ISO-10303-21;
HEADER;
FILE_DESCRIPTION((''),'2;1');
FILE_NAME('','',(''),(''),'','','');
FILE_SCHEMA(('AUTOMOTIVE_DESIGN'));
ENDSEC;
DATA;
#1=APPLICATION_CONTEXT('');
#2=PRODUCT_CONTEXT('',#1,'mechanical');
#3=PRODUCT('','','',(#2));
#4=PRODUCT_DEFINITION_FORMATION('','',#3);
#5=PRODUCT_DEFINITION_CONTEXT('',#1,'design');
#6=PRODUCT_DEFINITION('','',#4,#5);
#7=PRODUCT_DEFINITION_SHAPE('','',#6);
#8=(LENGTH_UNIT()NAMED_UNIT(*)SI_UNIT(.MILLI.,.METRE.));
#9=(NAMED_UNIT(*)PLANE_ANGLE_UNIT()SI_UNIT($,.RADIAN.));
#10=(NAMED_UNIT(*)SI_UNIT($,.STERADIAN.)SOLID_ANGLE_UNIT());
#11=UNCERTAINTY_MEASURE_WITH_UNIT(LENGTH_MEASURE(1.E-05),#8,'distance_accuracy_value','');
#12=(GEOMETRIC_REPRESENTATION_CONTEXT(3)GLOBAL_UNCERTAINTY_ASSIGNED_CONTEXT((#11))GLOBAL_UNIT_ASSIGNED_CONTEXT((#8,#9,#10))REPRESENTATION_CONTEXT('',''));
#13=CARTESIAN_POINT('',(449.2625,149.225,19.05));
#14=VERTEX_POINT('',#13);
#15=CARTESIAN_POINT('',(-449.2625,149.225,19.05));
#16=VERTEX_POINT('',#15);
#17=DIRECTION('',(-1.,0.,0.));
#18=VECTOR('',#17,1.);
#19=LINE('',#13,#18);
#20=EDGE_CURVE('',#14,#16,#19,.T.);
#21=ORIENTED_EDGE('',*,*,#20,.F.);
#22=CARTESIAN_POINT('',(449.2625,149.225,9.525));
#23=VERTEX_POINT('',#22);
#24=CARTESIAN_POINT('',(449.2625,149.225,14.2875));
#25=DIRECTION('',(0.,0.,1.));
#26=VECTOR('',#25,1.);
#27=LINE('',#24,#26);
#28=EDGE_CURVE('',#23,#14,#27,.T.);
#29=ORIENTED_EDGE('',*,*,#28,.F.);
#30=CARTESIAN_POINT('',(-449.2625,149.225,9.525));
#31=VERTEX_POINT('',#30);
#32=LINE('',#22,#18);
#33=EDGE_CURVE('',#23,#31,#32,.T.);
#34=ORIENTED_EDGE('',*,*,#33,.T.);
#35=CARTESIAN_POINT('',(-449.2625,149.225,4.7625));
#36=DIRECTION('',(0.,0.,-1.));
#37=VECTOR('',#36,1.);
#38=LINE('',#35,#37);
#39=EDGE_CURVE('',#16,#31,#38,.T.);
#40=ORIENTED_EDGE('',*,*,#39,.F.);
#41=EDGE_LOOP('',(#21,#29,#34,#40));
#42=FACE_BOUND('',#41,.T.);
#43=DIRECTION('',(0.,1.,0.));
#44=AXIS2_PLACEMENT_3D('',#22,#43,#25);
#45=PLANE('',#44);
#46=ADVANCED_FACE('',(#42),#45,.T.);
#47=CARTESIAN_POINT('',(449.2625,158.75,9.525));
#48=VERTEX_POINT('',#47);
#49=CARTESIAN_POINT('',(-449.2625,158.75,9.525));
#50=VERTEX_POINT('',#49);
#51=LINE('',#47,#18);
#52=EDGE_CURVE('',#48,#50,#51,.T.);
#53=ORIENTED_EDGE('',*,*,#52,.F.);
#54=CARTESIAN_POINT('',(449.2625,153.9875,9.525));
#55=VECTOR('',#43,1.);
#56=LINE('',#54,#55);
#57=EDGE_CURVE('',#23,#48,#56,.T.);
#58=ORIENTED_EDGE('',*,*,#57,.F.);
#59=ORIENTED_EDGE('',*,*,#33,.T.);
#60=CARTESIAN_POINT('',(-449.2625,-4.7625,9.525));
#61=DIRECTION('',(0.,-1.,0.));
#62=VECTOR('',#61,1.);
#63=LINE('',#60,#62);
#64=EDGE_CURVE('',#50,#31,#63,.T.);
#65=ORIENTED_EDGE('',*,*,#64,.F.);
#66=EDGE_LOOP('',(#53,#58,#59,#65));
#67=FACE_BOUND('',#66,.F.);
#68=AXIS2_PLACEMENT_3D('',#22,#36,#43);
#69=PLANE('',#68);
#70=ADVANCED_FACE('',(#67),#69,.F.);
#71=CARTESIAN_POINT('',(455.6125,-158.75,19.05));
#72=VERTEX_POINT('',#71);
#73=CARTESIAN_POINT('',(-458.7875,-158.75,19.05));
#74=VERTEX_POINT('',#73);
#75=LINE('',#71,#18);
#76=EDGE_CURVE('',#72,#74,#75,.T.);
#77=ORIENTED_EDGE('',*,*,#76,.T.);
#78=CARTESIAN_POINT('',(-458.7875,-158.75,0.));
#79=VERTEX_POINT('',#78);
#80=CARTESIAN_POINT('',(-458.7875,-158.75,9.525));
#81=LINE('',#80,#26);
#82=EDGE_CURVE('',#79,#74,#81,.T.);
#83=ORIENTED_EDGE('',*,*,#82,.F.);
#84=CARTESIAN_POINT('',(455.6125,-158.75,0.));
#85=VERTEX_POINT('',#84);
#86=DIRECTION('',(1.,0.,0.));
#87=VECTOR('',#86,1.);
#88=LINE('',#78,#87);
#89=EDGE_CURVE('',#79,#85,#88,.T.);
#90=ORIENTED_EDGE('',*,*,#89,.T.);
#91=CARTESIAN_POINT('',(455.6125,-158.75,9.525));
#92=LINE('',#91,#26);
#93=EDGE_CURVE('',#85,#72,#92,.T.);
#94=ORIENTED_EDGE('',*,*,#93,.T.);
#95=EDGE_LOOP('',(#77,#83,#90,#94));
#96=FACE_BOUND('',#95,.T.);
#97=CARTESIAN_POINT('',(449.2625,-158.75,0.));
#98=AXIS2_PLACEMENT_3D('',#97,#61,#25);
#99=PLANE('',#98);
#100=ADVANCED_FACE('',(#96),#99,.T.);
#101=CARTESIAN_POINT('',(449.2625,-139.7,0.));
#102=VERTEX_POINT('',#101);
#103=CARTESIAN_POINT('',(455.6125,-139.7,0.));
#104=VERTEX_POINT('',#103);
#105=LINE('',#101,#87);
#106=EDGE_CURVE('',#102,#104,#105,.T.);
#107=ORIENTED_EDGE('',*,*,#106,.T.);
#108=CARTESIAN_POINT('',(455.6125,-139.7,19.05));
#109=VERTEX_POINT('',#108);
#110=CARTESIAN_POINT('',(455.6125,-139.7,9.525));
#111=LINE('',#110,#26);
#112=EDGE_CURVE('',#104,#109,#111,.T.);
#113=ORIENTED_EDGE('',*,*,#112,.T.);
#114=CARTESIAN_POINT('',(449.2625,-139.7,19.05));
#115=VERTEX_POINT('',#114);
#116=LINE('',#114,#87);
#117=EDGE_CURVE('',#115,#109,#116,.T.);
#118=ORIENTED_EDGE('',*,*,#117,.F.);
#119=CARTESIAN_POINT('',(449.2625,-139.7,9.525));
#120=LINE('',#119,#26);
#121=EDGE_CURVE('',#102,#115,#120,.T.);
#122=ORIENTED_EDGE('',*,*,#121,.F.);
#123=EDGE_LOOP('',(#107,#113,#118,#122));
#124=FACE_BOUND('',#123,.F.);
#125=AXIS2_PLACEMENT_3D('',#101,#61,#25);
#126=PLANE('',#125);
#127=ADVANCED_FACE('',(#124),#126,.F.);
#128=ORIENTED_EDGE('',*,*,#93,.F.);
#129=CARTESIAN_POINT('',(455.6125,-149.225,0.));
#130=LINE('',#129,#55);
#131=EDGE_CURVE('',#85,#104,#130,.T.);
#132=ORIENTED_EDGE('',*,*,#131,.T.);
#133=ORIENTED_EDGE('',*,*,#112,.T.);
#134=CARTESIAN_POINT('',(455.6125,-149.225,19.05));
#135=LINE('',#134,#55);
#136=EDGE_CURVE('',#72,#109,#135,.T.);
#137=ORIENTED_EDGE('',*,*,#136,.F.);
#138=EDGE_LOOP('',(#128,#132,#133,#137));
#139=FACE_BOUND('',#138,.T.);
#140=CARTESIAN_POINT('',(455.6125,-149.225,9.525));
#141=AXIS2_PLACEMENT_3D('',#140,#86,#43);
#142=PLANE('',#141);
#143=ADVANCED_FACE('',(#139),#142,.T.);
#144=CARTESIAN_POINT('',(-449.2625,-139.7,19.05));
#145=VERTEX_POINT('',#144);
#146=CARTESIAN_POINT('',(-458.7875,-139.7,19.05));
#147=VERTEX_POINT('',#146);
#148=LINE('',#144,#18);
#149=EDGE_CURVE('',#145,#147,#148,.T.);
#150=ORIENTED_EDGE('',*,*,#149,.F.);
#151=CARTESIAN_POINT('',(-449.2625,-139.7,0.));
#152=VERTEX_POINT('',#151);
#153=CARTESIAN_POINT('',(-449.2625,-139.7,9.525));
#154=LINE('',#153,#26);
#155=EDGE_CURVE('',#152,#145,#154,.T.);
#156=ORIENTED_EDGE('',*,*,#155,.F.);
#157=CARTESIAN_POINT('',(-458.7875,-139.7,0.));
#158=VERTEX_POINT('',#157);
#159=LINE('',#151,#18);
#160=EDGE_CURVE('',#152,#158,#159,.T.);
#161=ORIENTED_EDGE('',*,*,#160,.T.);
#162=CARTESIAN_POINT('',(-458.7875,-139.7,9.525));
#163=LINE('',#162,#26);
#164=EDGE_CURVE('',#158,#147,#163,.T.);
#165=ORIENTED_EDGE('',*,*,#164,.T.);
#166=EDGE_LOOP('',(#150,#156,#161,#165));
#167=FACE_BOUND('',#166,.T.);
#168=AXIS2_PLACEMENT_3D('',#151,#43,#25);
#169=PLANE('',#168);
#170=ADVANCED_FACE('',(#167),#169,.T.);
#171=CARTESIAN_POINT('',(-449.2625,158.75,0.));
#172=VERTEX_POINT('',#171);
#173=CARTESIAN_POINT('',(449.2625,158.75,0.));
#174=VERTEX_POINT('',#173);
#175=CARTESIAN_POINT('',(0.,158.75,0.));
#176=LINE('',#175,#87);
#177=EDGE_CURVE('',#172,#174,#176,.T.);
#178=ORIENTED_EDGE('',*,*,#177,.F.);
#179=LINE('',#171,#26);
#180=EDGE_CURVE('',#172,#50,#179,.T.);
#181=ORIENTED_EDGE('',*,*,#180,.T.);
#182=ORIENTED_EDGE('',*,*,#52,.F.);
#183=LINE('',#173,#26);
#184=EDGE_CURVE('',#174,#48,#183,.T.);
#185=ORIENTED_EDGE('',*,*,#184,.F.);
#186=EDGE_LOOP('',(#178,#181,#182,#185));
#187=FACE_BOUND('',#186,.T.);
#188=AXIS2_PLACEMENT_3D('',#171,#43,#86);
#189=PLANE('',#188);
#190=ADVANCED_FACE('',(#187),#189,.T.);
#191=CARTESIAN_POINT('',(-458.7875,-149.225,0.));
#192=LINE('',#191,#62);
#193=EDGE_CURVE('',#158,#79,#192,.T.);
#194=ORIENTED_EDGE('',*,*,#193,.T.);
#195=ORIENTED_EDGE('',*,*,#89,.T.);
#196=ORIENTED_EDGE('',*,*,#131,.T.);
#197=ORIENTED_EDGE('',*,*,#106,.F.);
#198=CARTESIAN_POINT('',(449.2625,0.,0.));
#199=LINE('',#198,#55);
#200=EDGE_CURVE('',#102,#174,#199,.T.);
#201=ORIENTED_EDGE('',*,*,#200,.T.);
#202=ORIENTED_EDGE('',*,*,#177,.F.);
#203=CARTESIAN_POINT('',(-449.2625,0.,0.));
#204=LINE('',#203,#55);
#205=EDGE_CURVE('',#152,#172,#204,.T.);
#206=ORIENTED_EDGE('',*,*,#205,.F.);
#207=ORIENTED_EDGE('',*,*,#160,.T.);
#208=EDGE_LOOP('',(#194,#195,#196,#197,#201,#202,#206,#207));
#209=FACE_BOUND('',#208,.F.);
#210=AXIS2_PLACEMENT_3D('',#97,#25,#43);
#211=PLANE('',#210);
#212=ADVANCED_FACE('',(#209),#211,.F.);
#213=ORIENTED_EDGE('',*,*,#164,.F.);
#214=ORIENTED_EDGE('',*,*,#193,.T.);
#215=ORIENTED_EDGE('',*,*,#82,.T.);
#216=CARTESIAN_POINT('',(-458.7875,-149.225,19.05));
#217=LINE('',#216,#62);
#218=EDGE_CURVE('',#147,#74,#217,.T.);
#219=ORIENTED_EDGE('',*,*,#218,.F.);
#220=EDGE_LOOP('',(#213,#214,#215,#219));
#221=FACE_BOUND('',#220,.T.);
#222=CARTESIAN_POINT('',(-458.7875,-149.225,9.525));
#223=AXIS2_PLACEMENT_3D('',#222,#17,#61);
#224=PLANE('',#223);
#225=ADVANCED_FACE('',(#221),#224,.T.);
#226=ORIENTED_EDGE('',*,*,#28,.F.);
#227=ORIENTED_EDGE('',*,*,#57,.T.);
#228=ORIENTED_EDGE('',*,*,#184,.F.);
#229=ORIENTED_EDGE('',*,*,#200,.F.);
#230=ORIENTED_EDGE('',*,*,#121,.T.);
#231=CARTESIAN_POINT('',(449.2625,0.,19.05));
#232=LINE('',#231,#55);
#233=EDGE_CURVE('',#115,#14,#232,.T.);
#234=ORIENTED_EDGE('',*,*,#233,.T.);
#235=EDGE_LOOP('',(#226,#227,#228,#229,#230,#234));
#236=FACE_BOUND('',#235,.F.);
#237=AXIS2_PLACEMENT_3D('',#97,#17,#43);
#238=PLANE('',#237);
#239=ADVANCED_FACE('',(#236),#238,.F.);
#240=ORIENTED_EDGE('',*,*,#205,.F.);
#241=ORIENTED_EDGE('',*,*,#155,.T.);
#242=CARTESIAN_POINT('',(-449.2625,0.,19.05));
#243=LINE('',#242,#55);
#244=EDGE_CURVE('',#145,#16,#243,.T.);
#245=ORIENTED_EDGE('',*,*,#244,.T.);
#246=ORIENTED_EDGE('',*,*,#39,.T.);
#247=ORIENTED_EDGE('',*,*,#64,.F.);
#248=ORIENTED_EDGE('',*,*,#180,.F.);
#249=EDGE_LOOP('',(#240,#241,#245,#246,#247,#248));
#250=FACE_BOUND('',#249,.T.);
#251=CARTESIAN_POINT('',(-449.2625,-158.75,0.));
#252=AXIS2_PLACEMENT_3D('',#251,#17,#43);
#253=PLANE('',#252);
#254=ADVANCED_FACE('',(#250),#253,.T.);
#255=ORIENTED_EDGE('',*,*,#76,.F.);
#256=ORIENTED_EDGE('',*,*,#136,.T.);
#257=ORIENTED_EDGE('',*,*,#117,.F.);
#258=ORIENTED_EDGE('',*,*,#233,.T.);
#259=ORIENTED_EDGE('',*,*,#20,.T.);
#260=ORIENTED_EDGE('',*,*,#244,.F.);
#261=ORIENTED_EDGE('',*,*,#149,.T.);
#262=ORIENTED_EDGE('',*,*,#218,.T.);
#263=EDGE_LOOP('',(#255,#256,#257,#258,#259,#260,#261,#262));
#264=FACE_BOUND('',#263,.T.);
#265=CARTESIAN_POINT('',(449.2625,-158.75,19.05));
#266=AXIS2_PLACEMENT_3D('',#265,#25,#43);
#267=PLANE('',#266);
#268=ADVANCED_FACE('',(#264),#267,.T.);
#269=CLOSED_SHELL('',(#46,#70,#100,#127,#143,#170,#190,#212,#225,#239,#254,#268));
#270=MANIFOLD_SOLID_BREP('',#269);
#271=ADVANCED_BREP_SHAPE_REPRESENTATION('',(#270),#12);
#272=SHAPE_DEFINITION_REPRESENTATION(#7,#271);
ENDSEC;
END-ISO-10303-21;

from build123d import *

# Parameters (mm, degrees)
F0_W     = 898.525
F0_H     = 317.5
F1_DEPTH = 19.05
F2_W     = 9.525
F2_H     = 9.525
F3_DEPTH = 898.526
F4_W     = 19.05
F4_H     = 19.05
F5_DEPTH = 9.525
F6_W     = 19.05
F6_H     = 19.05
F7_DEPTH = 6.35


with BuildPart() as f1:
    # F0 (on Top) → F1 (new body)
    with BuildSketch(Plane.XY):
        Rectangle(F0_W, F0_H)
    extrude(amount=F1_DEPTH)

    # F2 (on face) → F3 (cut, through all)
    with BuildSketch(Plane.YZ.offset(449.2625)):
        with Locations((153.9875, 14.2875)):
            Rectangle(F2_W, F2_H)
    extrude(amount=-F3_DEPTH, mode=Mode.SUBTRACT)

    # F4 (on face) → F5 (join)
    with BuildSketch(Plane(origin=(-449.2625, 0, 0), x_dir=(0, -1, 0), z_dir=(-1, 0, 0))):
        with Locations((149.225, 9.525)):
            Rectangle(F4_W, F4_H)
    extrude(amount=F5_DEPTH)

    # F6 (on face) → F7 (join)
    with BuildSketch(Plane.YZ.offset(449.2625)):
        with Locations((-149.225, 9.525)):
            Rectangle(F6_W, F6_H)
    extrude(amount=F7_DEPTH)


solid = f1.part
